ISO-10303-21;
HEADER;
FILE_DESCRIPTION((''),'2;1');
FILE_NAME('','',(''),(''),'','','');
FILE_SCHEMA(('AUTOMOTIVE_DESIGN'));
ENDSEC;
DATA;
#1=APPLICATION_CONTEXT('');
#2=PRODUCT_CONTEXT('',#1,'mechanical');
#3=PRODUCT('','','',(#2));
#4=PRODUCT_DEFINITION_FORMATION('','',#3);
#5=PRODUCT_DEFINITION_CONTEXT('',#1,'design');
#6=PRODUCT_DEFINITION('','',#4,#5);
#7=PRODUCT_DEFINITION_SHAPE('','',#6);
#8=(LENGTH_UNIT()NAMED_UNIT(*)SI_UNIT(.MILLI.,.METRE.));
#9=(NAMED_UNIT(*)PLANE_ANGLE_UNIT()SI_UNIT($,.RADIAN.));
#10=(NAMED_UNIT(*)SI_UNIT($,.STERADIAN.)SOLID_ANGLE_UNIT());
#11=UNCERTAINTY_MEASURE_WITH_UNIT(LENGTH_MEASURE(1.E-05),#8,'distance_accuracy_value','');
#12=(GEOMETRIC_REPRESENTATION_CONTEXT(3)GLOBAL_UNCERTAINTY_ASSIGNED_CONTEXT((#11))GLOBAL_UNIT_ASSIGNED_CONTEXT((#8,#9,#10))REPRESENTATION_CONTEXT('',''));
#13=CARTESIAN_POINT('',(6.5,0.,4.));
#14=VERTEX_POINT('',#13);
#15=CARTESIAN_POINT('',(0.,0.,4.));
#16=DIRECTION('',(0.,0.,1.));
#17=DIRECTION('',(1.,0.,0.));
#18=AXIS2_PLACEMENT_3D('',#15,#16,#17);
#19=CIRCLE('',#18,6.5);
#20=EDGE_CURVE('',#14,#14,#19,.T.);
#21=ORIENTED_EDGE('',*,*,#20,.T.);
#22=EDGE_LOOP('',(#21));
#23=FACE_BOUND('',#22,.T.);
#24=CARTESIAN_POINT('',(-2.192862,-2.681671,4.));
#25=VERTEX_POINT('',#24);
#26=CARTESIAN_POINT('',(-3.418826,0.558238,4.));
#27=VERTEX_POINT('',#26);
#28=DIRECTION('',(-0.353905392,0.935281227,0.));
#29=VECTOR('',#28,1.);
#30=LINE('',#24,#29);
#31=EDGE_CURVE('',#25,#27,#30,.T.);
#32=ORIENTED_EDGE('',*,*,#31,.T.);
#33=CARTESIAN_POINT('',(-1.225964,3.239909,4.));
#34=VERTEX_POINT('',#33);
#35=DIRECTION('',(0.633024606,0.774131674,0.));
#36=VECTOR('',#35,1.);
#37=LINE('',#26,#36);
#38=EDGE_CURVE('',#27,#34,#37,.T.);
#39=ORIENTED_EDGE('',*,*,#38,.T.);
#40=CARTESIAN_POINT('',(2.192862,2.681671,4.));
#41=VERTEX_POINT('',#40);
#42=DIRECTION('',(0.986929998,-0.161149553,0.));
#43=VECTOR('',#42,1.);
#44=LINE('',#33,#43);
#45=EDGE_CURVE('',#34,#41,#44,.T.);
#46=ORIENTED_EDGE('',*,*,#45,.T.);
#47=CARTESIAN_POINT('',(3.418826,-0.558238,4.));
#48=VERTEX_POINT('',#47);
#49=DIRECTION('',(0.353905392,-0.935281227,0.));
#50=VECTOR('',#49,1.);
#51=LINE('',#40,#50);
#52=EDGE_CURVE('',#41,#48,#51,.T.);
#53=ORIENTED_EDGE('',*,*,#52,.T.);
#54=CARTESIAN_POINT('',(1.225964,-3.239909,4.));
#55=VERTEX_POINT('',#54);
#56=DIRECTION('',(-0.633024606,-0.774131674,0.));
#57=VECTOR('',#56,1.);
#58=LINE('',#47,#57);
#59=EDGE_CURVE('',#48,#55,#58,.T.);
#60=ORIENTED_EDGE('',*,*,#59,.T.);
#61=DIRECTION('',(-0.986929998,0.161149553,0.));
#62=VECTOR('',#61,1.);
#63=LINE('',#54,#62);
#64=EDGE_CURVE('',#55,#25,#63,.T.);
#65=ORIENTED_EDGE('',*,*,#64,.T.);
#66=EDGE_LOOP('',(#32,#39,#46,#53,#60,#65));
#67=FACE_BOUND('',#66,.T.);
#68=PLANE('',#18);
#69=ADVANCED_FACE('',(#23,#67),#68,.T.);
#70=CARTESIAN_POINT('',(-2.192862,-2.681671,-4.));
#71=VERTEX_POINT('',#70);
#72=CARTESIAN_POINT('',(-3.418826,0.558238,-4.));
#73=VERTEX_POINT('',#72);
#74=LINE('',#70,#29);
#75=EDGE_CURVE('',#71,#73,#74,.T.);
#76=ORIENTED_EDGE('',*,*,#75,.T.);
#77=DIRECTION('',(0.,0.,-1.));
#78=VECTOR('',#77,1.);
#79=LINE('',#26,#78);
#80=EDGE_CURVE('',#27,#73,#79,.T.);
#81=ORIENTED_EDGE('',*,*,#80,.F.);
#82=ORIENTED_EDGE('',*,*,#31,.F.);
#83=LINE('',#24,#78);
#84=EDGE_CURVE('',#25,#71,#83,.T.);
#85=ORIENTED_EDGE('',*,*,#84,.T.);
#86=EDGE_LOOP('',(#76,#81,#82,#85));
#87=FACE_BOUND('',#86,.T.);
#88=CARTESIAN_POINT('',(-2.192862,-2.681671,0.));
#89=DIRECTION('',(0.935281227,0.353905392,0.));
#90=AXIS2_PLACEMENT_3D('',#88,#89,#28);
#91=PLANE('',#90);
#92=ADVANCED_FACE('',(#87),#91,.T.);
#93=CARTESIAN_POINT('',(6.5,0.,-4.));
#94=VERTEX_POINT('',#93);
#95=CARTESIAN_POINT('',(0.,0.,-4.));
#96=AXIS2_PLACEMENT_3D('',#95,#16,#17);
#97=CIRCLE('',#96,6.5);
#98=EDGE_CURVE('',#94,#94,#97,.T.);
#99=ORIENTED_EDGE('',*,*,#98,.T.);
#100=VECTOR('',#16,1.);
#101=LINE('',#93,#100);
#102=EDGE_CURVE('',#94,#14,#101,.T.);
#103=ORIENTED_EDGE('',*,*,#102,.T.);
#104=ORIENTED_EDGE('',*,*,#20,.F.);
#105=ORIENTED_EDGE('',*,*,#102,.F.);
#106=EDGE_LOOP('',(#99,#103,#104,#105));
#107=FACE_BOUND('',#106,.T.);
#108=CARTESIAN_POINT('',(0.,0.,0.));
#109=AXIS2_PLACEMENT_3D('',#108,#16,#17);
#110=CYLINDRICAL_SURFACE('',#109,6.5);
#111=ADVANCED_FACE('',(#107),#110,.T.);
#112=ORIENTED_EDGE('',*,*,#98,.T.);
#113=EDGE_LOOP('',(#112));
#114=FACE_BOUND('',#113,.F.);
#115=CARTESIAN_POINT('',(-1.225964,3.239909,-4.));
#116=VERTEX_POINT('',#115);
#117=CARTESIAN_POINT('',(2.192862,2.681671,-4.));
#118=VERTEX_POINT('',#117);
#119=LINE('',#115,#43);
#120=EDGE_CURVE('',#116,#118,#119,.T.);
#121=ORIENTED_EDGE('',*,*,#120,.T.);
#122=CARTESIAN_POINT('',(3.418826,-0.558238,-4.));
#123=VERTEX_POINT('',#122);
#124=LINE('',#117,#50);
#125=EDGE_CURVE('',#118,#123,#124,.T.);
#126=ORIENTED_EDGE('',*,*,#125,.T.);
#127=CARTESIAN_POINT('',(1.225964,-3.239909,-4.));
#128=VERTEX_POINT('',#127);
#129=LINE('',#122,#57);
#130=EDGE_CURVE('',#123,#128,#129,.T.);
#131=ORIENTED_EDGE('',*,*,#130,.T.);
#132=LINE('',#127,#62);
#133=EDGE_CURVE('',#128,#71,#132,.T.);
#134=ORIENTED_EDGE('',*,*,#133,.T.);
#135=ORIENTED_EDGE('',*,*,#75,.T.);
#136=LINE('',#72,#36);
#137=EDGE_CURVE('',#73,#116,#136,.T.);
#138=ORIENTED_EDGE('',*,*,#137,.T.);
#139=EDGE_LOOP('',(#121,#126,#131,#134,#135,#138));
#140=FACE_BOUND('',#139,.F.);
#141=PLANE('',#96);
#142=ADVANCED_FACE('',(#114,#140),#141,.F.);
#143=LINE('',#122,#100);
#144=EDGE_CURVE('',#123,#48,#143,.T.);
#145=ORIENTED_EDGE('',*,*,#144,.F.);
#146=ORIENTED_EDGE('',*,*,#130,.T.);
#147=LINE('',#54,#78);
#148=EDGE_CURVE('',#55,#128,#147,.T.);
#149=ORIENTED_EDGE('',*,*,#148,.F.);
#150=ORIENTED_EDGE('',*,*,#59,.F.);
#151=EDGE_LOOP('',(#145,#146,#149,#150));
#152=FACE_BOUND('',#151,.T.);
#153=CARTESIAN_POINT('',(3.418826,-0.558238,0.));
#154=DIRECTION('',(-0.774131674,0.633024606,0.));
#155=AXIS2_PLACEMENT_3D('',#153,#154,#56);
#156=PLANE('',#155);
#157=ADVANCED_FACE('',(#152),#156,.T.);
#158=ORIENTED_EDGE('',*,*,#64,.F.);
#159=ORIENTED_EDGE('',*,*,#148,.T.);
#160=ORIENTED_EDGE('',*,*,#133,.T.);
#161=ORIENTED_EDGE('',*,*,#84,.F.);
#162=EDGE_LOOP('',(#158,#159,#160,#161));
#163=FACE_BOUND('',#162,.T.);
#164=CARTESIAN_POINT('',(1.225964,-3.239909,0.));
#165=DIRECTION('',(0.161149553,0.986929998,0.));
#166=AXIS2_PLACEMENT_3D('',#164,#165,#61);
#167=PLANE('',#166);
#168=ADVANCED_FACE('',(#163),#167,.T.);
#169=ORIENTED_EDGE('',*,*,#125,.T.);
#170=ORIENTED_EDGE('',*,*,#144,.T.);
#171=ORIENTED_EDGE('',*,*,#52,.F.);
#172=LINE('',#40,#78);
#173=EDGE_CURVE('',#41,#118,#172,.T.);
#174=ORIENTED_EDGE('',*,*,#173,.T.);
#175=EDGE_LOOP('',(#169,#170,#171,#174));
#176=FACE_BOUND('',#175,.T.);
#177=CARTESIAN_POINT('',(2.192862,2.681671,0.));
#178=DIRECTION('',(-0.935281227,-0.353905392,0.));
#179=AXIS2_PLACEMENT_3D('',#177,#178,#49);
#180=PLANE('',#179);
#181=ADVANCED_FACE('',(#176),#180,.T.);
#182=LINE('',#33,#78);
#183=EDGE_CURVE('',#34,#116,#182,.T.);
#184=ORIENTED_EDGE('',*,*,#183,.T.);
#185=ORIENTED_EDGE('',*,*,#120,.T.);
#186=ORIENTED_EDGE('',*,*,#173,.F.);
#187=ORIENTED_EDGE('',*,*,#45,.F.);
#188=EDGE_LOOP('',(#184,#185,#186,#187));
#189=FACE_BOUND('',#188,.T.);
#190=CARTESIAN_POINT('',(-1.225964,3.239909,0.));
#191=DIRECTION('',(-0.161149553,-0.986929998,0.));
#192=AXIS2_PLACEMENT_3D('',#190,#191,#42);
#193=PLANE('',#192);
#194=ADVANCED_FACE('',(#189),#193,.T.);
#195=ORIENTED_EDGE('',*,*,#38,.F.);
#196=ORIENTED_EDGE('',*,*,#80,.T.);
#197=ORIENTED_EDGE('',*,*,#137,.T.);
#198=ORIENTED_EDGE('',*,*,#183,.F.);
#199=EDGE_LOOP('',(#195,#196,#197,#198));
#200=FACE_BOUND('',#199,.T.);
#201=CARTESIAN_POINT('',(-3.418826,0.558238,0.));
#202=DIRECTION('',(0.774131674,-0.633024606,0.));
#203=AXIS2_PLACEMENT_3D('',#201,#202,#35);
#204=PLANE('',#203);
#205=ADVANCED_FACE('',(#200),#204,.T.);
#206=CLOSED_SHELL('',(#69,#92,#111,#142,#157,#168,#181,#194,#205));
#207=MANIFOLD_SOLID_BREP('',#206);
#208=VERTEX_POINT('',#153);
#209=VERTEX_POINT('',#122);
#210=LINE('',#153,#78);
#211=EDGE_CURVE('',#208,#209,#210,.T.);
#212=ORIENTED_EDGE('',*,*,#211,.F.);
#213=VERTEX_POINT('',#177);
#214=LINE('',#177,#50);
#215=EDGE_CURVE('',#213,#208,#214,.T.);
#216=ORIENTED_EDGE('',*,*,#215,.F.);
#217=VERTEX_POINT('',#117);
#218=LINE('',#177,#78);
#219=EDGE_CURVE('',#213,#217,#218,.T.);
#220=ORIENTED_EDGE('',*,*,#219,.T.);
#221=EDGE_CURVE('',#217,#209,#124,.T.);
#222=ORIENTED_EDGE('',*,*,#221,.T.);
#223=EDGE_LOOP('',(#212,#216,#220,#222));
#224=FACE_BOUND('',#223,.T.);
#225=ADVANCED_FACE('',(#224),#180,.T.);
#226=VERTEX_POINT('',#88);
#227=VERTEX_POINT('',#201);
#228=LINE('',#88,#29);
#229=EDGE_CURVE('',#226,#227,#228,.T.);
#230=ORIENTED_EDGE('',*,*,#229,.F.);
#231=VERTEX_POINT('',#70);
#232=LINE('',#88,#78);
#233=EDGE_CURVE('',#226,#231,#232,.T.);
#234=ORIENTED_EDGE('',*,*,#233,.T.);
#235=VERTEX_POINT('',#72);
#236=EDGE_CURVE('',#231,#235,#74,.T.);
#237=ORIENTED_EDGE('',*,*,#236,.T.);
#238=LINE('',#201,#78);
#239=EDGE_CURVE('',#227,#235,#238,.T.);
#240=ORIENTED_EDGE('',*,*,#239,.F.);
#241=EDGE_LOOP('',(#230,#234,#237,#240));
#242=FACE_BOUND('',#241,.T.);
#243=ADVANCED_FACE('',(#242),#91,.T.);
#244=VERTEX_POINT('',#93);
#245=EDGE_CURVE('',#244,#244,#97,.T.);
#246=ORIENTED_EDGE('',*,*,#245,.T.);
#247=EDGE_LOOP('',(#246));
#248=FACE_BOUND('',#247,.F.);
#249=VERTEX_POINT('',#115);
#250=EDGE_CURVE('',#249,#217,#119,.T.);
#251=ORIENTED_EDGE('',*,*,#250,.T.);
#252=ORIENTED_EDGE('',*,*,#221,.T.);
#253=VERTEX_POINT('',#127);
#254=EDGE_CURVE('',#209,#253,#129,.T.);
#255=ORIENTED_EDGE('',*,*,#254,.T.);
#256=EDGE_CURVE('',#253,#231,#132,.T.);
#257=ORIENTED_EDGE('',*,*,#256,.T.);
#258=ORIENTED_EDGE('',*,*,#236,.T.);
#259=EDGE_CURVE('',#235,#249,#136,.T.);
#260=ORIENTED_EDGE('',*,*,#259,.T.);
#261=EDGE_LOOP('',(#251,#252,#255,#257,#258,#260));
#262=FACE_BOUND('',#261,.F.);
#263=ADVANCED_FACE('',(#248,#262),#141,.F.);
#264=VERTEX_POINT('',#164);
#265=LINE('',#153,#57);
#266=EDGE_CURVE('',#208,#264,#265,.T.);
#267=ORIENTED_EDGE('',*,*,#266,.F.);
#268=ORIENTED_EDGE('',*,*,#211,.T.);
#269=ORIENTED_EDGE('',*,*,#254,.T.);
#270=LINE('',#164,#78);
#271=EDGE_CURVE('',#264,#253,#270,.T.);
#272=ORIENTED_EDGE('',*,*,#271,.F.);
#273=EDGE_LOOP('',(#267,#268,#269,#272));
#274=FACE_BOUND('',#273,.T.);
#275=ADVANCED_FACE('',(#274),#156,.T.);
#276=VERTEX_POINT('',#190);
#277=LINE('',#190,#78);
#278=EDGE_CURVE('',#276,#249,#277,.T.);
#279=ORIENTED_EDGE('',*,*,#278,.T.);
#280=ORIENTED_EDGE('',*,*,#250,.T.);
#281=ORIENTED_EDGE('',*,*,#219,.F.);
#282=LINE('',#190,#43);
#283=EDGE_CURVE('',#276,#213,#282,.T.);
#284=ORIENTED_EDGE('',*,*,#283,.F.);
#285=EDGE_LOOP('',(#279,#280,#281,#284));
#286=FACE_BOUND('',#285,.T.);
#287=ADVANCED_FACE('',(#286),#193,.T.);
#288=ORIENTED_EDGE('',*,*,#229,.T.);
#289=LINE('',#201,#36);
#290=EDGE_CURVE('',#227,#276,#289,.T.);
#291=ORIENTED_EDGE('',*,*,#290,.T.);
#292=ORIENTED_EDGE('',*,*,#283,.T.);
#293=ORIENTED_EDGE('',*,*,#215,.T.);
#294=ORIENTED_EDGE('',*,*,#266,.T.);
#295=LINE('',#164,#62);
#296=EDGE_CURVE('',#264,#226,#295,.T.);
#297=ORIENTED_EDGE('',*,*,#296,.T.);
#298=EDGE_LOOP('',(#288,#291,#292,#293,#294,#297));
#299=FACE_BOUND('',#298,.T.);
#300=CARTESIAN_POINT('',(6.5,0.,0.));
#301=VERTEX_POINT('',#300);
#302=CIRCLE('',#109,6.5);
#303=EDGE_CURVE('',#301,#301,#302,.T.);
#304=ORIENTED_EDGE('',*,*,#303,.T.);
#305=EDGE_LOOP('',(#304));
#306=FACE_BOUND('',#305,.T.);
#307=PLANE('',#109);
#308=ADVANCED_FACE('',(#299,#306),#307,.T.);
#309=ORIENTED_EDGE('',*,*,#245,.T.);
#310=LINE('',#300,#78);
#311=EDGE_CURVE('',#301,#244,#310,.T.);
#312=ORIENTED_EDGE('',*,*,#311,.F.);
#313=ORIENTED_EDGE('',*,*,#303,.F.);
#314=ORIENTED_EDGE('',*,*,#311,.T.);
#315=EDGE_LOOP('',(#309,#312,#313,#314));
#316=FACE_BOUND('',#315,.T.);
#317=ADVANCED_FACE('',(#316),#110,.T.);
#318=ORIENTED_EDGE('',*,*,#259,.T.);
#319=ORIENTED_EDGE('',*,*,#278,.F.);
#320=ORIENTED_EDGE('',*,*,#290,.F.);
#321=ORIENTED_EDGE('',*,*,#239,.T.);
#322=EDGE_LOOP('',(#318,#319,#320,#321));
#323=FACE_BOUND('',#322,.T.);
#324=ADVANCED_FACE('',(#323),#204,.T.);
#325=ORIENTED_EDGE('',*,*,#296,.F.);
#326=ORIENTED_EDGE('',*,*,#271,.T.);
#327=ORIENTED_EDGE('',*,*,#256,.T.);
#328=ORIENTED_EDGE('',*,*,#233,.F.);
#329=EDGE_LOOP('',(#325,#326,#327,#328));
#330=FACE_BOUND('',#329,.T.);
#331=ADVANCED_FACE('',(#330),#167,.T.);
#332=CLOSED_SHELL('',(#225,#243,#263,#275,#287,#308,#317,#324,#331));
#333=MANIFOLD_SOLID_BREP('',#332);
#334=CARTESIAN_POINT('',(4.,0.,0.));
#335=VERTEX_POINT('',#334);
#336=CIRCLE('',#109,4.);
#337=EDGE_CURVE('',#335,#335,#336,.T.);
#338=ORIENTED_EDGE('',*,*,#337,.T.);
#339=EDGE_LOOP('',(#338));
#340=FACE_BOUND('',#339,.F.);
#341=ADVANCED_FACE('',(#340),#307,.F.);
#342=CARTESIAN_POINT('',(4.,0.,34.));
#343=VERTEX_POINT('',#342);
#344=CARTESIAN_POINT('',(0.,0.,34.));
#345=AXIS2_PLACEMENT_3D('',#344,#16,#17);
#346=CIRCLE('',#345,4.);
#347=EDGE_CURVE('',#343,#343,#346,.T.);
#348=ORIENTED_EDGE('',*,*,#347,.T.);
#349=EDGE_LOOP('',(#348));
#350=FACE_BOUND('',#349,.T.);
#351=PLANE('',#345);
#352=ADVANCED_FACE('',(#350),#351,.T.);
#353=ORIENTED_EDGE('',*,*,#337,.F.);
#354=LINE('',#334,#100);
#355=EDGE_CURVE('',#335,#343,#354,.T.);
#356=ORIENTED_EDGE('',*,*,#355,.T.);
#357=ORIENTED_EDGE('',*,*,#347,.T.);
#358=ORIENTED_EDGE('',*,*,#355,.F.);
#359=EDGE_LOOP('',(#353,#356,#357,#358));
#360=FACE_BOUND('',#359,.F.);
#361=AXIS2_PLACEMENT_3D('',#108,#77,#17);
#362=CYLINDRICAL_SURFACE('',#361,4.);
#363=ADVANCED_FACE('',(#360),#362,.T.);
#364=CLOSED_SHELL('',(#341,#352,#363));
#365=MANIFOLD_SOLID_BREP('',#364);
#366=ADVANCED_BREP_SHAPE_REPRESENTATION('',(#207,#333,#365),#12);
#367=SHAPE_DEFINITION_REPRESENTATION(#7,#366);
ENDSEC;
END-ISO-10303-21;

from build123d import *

# Parameters (mm, degrees)
F0_R     = 4
F1_DEPTH = 34
F0_R_2   = 6.5
F2_DEPTH = 4
F3_DEPTH = 4


with BuildPart() as f1:
    # F0 (on Top) → F1 (new body)
    with BuildSketch(Plane.XY):
        Circle(F0_R)
        Polygon((3.418825801, -0.5582384278), (1.2259642406, -3.2399092087), (-2.1928615604, -2.6816707809), (-3.418825801, 0.5582384278), (-1.2259642406, 3.2399092087), (2.1928615604, 2.6816707809), align=None, mode=Mode.SUBTRACT)
        Polygon((-2.1928615604, -2.6816707809), (1.2259642406, -3.2399092087), (3.418825801, -0.5582384278), (2.1928615604, 2.6816707809), (-1.2259642406, 3.2399092087), (-3.418825801, 0.5582384278), align=None)
    extrude(amount=F1_DEPTH)


with BuildPart() as f2:
    # F0 (on Top) → F2 (new body, symmetric)
    with BuildSketch(Plane.XY):
        Circle(F0_R_2)
        Circle(F0_R, mode=Mode.SUBTRACT)
        Circle(F0_R)
        Polygon((3.418825801, -0.5582384278), (1.2259642406, -3.2399092087), (-2.1928615604, -2.6816707809), (-3.418825801, 0.5582384278), (-1.2259642406, 3.2399092087), (2.1928615604, 2.6816707809), align=None, mode=Mode.SUBTRACT)
    extrude(amount=F2_DEPTH, both=True)


with BuildPart() as f3:
    # F0 (on Top) → F3 (new body)
    with BuildSketch(Plane.XY):
        Circle(F0_R_2)
        Circle(F0_R, mode=Mode.SUBTRACT)
        Circle(F0_R)
        Polygon((3.418825801, -0.5582384278), (1.2259642406, -3.2399092087), (-2.1928615604, -2.6816707809), (-3.418825801, 0.5582384278), (-1.2259642406, 3.2399092087), (2.1928615604, 2.6816707809), align=None, mode=Mode.SUBTRACT)
    extrude(amount=-F3_DEPTH)


solid = Compound([f1.part, f2.part, f3.part])
